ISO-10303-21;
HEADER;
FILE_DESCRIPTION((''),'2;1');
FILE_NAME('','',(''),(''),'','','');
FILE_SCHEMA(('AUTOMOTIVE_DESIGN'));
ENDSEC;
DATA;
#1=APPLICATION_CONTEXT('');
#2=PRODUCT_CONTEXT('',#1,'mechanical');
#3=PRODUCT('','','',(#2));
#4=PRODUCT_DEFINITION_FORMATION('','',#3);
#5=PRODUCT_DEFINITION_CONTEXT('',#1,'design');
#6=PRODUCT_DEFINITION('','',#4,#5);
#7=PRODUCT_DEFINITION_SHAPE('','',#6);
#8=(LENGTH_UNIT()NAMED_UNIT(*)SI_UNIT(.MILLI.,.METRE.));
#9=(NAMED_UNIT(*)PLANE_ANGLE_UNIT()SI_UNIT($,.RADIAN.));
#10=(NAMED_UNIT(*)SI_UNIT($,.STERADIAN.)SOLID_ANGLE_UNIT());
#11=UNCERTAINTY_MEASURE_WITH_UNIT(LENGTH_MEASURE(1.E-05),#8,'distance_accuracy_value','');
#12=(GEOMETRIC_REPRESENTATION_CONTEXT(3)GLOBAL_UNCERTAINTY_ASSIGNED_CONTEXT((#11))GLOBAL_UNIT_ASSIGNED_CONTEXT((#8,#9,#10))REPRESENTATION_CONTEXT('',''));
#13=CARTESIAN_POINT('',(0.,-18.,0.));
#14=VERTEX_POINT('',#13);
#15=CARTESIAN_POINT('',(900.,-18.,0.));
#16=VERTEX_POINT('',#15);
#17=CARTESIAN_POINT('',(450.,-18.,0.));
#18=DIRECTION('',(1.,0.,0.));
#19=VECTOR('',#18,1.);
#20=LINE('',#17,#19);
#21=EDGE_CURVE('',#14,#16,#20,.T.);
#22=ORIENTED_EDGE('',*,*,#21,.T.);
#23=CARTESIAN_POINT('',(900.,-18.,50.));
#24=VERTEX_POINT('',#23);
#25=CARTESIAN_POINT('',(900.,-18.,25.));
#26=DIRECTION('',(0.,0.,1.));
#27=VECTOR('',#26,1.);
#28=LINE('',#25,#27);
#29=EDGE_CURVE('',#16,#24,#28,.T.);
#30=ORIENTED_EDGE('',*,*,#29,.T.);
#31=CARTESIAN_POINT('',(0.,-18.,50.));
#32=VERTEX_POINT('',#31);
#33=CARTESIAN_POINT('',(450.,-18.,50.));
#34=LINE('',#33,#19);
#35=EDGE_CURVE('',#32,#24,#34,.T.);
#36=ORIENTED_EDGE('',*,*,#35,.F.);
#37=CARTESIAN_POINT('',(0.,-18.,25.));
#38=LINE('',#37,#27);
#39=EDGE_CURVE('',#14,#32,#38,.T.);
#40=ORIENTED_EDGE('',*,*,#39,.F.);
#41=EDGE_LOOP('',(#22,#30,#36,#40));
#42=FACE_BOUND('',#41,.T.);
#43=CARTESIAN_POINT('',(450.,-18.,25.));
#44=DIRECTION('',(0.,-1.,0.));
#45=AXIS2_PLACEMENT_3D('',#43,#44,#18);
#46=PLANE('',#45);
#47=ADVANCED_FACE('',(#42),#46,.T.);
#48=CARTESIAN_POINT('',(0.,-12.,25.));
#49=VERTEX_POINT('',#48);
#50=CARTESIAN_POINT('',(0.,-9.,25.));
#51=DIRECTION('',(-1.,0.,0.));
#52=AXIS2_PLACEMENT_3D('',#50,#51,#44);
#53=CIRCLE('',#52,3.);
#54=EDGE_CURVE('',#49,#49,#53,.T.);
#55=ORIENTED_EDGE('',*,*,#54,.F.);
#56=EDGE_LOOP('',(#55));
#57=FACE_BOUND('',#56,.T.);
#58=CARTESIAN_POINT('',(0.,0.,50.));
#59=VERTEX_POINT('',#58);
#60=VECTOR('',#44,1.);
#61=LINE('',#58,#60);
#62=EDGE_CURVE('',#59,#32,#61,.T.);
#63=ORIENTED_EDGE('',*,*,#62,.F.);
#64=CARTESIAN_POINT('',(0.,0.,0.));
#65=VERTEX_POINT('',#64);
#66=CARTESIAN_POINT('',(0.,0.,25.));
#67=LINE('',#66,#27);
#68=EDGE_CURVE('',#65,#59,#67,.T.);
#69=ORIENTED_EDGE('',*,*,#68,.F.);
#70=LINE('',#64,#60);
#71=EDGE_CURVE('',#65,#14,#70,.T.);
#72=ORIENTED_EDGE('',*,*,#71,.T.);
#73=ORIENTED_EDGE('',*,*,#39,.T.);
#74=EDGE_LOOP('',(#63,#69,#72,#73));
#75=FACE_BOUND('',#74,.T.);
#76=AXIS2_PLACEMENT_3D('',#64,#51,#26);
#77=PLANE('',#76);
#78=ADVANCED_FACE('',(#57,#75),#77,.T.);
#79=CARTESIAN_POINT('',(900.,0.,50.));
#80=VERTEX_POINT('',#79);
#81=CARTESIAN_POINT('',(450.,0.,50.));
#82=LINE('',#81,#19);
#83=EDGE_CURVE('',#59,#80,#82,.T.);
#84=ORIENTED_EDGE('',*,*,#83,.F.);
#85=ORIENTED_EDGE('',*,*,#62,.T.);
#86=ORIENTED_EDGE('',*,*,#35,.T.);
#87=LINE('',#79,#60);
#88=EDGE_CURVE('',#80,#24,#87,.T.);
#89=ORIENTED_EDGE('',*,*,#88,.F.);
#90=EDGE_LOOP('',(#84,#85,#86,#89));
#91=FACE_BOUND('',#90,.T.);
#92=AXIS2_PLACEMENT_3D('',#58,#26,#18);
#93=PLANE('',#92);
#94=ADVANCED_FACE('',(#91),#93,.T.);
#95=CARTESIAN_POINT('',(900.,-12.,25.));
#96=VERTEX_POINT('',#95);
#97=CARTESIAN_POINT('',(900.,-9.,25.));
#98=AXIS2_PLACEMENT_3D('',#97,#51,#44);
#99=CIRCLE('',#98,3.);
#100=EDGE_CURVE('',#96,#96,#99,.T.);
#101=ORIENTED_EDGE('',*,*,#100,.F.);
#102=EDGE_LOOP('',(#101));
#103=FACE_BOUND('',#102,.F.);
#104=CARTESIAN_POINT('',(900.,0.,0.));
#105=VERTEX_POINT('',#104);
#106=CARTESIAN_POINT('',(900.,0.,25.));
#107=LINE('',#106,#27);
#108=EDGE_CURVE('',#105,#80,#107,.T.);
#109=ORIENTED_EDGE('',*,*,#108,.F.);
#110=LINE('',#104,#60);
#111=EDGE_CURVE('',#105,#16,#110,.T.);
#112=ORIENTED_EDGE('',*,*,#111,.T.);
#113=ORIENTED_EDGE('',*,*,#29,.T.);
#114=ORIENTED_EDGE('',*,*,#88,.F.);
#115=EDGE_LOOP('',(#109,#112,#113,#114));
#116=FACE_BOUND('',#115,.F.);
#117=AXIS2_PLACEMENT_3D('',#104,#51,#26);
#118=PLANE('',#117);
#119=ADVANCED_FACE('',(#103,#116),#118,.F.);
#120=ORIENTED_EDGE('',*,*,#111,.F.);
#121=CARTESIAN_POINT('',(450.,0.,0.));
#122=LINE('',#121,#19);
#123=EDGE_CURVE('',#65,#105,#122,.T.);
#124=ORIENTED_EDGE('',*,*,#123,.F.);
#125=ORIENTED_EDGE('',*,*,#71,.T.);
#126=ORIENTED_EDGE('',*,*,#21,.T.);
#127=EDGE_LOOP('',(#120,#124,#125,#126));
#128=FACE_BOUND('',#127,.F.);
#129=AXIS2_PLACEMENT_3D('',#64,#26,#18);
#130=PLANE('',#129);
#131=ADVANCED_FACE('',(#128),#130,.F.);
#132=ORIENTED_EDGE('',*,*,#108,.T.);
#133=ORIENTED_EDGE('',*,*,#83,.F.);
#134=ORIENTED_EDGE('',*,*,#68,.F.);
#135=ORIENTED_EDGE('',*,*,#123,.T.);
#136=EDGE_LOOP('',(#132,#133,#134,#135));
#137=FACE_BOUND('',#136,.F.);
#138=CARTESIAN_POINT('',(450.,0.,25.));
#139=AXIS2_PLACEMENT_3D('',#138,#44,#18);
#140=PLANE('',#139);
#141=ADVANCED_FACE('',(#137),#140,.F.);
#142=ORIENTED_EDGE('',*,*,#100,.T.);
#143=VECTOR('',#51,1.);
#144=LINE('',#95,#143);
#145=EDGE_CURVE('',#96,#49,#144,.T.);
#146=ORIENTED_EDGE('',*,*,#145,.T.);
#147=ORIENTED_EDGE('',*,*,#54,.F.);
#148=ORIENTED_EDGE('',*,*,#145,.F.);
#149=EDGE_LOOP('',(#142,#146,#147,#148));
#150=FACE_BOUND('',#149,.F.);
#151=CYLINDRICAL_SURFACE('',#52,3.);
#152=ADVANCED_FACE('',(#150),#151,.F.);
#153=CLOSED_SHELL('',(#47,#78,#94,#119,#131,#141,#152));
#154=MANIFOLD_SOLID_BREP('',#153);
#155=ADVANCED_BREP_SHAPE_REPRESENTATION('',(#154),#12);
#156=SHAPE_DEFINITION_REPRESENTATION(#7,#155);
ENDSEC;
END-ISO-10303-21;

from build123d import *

# Parameters (mm, degrees)
F0_W          = 900
F0_H          = 50
F1_DEPTH      = 18
F2_R          = 3
F3_DEPTH      = 25
F4_DEPTH      = 900.001
F4_DEPTH_BACK = 25


with BuildPart() as f1:
    # F0 (on Front) → F1 (new body)
    with BuildSketch(Plane.XZ):
        with Locations((450, 25)):
            Rectangle(F0_W, F0_H)
    extrude(amount=F1_DEPTH)

    # F2 (on face) → F3 (cut)
    with BuildSketch(Plane(origin=(0, 0, 0), x_dir=(0, -1, 0), z_dir=(-1, 0, 0))):
        with Locations((9, 25)):
            Circle(F2_R)
    extrude(amount=-F3_DEPTH, mode=Mode.SUBTRACT)

    # F2 (on face) → F4 (cut, two sides)
    with BuildSketch(Plane(origin=(0, 0, 0), x_dir=(0, -1, 0), z_dir=(-1, 0, 0))) as f4_sk:
        with Locations((9, 25)):
            Circle(F2_R)
    extrude(amount=-F4_DEPTH, mode=Mode.SUBTRACT)
    extrude(f4_sk.sketch, amount=-F4_DEPTH_BACK, mode=Mode.SUBTRACT)


solid = f1.part
